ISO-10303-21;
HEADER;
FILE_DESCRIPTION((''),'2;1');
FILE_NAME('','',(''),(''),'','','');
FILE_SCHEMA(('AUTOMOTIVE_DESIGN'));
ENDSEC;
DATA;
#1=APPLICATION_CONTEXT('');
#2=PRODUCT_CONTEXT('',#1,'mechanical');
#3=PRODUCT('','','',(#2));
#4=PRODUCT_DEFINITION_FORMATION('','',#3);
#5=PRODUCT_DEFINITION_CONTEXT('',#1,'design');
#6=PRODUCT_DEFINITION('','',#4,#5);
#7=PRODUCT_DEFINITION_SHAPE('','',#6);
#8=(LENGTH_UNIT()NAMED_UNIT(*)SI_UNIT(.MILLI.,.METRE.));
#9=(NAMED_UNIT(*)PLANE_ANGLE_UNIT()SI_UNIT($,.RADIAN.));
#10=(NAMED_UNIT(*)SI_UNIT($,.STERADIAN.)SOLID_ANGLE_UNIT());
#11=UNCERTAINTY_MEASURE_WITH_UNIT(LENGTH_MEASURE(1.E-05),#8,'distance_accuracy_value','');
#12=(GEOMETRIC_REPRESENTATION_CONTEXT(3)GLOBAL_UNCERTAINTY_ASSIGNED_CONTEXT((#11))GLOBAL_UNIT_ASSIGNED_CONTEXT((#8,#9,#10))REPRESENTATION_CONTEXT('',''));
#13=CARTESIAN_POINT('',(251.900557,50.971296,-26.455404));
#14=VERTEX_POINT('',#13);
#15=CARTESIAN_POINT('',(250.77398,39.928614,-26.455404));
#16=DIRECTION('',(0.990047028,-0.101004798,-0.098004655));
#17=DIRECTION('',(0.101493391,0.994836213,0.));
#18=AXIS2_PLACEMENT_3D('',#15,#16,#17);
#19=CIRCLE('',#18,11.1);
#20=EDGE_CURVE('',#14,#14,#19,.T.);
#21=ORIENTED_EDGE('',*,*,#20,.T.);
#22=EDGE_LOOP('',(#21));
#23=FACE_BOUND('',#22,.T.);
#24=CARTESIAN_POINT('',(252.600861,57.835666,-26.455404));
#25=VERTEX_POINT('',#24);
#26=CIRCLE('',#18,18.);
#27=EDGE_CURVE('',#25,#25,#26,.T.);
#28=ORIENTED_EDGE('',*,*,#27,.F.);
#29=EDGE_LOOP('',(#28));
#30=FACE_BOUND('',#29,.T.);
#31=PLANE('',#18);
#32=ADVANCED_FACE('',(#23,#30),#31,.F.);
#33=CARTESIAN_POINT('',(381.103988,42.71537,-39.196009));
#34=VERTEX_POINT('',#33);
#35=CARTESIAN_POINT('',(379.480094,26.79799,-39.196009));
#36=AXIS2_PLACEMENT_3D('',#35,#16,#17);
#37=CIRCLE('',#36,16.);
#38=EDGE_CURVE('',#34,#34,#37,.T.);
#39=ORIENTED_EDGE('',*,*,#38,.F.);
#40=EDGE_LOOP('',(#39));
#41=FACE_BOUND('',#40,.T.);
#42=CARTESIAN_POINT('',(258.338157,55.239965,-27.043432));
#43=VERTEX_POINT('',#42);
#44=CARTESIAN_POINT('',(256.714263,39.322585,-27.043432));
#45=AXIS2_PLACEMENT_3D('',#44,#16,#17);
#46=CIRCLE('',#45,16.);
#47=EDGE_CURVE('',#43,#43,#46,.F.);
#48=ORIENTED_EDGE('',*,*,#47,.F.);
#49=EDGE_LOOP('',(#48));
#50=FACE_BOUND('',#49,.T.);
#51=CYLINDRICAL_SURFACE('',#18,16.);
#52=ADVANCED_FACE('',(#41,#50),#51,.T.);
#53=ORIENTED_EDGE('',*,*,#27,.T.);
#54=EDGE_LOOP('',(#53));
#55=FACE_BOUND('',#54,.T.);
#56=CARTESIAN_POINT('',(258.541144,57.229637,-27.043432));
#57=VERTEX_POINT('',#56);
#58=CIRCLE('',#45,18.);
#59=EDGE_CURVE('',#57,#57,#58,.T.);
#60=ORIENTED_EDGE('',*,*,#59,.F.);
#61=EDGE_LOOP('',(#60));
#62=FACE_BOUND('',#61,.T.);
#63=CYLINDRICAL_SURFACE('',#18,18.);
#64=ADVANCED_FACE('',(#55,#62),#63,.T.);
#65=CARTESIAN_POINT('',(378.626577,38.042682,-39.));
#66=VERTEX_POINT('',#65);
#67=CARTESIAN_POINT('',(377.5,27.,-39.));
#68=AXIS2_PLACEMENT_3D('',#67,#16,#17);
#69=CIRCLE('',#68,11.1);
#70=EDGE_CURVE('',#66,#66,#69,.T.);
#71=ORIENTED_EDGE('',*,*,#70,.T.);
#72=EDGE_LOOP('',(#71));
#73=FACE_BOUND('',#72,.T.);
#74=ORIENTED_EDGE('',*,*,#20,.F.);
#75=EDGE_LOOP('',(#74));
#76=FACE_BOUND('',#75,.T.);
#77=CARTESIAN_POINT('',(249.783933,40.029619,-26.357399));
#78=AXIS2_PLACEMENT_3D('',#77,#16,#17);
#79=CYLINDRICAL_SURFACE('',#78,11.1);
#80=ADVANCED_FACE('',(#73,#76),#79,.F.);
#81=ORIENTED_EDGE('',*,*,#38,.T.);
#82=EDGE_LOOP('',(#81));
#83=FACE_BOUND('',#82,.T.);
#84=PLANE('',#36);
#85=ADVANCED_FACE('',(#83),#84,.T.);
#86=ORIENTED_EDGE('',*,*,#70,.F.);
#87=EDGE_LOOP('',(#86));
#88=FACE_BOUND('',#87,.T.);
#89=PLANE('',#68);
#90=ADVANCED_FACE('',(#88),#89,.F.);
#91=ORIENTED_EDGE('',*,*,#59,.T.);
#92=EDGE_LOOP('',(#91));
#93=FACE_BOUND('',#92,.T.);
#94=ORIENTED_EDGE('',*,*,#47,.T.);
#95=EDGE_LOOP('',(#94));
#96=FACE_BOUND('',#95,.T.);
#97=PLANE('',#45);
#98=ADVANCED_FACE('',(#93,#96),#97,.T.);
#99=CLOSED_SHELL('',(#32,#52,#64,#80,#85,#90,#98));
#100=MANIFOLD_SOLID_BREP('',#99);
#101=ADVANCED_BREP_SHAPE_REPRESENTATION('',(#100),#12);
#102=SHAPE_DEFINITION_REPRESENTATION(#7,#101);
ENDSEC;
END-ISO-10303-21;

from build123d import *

# Parameters (mm, degrees)
PUNO_PROFILE_R         = 16
COLLARIN_PROFILE_R     = 18
AGUJERO_PUNO_PROFILE_R = 11.1


with BuildPart() as part:
    # Puno: sweep along a curve in space
    with BuildLine() as puno_path:
        Line((250.773980371, 39.928614124, -26.455404118), (379.480094057, 26.797990404, -39.196009311))
    # Puno profile (on start of the path) → Puno (sweep)
    with BuildSketch(Plane(origin=(250.773980371, 39.928614124, -26.455404118), x_dir=(0.10149339146789087, 0.9948362133981381, 0), z_dir=(0.9900470283507966, -0.10100479784184896, -0.09800465533169501))):
        Circle(PUNO_PROFILE_R)
    sweep(path=puno_path.line)

    # Collarin: sweep along a curve in space
    with BuildLine() as collarin_path:
        Line((250.773980371, 39.928614124, -26.455404118), (256.714262541, 39.322585337, -27.04343205))
    # Collarin profile (on start of the path) → Collarin (sweep)
    with BuildSketch(Plane(origin=(250.773980371, 39.928614124, -26.455404118), x_dir=(0.10149339146789053, 0.994836213398138, 0), z_dir=(0.9900470283507966, -0.10100479784184864, -0.09800465533169435))):
        Circle(COLLARIN_PROFILE_R)
    sweep(path=collarin_path.line)

    # Agujero_puno: sweep along a curve in space
    with BuildLine() as agujero_puno_path:
        Line((249.783933343, 40.029618922, -26.357399462), (377.5, 27, -39))
    # Agujero_puno profile (on start of the path) → Agujero_puno (sweep, cut)
    with BuildSketch(Plane(origin=(249.783933343, 40.029618922, -26.357399462), x_dir=(0.10149339146789084, 0.994836213398138, 0), z_dir=(0.9900470283507965, -0.10100479784184893, -0.09800465533169501))):
        Circle(AGUJERO_PUNO_PROFILE_R)
    sweep(path=agujero_puno_path.line, mode=Mode.SUBTRACT)


solid = part.part
